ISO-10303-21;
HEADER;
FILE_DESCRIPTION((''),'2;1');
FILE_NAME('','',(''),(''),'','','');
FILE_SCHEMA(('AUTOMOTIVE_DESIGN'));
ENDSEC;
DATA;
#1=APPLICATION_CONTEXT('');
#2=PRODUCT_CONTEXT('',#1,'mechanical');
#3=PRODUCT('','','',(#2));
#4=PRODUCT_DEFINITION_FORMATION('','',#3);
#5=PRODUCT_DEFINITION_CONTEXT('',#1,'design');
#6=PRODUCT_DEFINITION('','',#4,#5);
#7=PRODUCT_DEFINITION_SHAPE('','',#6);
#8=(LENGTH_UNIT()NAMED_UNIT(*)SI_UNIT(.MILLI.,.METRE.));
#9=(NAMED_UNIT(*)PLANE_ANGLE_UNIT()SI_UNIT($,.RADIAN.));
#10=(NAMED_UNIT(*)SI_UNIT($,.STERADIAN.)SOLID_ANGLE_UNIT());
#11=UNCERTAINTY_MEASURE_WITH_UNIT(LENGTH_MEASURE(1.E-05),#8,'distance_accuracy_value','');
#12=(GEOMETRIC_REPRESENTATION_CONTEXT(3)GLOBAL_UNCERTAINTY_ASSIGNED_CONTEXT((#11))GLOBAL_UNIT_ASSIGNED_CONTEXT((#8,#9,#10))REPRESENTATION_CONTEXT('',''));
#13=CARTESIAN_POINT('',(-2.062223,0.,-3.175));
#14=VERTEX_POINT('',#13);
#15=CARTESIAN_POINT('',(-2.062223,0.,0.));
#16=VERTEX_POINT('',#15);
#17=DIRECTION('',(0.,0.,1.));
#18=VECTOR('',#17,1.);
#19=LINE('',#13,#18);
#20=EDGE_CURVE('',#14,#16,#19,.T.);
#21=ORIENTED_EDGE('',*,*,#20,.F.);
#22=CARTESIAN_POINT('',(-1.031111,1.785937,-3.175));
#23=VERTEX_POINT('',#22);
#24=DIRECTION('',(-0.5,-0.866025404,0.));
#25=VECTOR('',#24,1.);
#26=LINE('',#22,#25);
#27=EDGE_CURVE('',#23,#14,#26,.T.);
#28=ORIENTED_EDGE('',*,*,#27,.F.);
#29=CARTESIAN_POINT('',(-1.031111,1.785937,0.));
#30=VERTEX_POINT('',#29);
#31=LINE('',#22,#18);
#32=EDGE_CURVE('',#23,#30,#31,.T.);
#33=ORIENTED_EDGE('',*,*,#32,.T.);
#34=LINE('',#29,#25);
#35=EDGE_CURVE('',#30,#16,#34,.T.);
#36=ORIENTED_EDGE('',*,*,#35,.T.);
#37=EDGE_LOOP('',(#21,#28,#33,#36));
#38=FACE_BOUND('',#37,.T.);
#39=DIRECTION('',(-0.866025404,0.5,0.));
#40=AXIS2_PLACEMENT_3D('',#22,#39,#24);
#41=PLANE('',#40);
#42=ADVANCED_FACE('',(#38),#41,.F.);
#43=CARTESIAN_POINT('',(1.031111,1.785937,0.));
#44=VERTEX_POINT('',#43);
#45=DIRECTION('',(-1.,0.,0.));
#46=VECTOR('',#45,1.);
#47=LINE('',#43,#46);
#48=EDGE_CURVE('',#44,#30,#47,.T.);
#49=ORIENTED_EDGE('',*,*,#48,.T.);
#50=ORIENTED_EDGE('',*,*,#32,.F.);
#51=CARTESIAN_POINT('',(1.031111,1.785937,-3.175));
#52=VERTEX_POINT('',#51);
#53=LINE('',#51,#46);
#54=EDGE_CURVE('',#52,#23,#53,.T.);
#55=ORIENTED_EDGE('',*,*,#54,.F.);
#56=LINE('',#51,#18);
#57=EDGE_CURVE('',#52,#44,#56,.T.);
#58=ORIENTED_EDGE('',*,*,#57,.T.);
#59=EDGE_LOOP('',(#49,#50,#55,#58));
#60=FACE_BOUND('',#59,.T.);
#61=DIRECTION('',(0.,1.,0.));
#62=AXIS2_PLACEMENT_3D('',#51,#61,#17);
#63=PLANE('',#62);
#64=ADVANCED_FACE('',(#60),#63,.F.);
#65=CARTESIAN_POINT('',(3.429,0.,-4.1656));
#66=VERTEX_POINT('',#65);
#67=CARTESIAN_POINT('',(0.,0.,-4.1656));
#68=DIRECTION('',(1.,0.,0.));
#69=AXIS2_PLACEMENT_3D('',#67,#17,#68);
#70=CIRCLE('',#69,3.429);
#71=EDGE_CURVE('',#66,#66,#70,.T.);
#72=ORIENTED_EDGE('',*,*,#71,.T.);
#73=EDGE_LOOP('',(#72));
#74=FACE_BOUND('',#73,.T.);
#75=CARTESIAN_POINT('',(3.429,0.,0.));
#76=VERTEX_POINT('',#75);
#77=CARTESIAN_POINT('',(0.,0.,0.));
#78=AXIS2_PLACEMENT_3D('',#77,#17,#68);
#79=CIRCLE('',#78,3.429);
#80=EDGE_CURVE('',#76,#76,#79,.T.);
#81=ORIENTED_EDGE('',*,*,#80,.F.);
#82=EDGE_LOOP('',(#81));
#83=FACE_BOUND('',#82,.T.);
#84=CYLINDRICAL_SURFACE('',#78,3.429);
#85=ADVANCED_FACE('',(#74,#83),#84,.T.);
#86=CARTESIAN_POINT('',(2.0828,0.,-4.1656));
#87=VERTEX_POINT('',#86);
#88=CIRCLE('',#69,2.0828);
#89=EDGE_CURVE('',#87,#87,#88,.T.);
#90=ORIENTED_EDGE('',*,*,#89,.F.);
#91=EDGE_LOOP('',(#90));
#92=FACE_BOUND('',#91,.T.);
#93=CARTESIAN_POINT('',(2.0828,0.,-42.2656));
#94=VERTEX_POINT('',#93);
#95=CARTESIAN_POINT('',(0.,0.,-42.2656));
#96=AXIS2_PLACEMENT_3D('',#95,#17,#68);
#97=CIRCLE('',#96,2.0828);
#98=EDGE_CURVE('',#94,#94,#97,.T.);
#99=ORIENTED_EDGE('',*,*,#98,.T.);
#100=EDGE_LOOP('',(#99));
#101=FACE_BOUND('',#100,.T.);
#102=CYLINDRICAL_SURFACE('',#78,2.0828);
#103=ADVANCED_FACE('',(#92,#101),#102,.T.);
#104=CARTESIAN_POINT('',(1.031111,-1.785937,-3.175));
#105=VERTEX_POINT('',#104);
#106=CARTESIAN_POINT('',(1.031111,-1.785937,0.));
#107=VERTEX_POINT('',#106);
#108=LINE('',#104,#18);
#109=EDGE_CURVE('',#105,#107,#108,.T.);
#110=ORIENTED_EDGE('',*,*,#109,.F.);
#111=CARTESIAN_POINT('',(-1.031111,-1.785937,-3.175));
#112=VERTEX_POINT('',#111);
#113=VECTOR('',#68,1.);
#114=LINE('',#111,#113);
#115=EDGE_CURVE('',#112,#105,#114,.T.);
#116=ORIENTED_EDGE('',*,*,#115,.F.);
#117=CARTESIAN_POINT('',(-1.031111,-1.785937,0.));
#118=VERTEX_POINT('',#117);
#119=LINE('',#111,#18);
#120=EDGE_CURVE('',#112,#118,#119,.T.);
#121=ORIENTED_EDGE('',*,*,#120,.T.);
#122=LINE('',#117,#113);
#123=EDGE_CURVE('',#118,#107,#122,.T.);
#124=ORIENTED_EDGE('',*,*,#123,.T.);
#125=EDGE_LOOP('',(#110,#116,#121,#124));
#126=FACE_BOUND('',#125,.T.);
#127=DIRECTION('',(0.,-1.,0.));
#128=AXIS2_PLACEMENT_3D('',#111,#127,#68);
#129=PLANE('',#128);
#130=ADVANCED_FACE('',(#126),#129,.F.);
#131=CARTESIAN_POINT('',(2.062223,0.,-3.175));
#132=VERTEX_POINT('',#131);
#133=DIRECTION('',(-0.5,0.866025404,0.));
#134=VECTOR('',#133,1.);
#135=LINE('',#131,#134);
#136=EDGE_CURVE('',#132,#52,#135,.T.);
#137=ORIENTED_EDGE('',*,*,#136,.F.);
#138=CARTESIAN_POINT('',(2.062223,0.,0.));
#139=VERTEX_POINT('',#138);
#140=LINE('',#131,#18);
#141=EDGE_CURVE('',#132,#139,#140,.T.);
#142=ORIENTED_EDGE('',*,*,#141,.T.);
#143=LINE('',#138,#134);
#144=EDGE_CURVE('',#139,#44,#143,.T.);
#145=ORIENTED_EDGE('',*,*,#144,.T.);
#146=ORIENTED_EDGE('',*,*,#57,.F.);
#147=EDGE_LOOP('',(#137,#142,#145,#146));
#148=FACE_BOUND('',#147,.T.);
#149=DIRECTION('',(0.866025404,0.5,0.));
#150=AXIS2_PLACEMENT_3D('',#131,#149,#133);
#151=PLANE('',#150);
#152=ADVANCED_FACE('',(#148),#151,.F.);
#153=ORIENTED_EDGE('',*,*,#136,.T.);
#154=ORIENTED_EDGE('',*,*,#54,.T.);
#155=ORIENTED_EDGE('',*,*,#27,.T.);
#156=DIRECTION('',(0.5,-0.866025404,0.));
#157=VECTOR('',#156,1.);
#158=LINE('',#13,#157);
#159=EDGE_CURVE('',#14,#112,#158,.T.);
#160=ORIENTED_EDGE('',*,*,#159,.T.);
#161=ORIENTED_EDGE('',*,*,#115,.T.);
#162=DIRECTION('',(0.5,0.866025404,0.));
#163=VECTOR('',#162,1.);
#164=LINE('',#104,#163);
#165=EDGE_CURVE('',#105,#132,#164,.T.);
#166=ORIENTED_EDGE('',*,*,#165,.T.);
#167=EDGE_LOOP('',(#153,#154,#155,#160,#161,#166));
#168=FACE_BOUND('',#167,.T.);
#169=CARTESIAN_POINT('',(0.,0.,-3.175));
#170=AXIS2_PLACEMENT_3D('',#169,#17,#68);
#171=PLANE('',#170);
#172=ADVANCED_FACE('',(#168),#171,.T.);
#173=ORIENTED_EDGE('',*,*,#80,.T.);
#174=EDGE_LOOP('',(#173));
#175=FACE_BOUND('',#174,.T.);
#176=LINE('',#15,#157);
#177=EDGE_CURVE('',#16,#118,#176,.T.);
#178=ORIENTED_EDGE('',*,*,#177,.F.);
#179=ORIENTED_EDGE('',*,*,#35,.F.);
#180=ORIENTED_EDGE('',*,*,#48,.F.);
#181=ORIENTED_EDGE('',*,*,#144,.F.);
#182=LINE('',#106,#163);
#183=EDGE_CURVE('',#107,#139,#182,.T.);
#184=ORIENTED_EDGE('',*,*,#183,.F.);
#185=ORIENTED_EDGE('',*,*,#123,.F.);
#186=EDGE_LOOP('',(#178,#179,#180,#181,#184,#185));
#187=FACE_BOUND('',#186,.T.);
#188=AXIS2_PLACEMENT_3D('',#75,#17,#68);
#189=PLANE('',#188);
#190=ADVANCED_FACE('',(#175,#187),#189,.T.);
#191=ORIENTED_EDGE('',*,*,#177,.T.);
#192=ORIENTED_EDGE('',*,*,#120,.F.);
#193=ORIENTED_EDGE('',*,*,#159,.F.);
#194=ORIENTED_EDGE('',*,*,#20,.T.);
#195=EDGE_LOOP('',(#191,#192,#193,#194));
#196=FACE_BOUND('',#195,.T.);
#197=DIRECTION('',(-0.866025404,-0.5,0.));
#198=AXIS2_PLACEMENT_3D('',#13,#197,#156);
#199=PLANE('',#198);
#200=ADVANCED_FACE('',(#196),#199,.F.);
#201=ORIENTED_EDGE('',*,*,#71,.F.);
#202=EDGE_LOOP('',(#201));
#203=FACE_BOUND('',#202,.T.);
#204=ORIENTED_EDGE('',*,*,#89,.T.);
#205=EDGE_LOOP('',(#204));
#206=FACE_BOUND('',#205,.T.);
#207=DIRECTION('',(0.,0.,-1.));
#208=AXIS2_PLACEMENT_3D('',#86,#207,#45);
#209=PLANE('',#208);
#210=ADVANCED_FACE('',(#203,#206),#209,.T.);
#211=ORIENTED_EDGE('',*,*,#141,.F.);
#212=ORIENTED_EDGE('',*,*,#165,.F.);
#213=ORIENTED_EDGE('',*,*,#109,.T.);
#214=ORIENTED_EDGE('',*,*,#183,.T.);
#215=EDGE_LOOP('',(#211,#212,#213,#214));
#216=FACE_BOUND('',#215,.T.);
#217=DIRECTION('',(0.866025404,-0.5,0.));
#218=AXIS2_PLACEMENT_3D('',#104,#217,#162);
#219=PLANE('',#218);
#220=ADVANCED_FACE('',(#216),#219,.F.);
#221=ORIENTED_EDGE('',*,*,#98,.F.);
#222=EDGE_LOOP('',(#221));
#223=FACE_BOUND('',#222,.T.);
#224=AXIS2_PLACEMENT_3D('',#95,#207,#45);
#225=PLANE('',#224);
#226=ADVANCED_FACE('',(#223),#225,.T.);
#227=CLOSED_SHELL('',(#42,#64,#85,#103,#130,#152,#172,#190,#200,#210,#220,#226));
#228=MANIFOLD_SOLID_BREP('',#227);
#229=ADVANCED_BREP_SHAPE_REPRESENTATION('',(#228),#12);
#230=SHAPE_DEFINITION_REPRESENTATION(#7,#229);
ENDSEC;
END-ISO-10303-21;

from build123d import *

# Parameters (mm, degrees)
F_9_64_ALLEN_DEPTH = 3.175


with BuildPart() as part:
    # Sketch1 → Revolve1 (revolve)
    with BuildSketch(Plane(origin=(0, 0, 0), x_dir=(1, 0, 0), z_dir=(0, 1, 0))):
        Polygon((0, 0), (0, 42.2656), (2.0828, 42.2656), (2.0828, 4.1656), (3.429, 4.1656), (3.429, 0), align=None)
    revolve(axis=Axis((0, 0, 0), (0, 0, -1)))

    # Sketch2 → 9-64 allen (cut)
    with BuildSketch(Plane.XY):
        Polygon((2.062222993, 0), (1.031111496, 1.7859375), (-1.031111496, 1.7859375), (-2.062222993, 0), (-1.031111496, -1.7859375), (1.031111496, -1.7859375), align=None)
    extrude(amount=-F_9_64_ALLEN_DEPTH, mode=Mode.SUBTRACT)


solid = part.part
